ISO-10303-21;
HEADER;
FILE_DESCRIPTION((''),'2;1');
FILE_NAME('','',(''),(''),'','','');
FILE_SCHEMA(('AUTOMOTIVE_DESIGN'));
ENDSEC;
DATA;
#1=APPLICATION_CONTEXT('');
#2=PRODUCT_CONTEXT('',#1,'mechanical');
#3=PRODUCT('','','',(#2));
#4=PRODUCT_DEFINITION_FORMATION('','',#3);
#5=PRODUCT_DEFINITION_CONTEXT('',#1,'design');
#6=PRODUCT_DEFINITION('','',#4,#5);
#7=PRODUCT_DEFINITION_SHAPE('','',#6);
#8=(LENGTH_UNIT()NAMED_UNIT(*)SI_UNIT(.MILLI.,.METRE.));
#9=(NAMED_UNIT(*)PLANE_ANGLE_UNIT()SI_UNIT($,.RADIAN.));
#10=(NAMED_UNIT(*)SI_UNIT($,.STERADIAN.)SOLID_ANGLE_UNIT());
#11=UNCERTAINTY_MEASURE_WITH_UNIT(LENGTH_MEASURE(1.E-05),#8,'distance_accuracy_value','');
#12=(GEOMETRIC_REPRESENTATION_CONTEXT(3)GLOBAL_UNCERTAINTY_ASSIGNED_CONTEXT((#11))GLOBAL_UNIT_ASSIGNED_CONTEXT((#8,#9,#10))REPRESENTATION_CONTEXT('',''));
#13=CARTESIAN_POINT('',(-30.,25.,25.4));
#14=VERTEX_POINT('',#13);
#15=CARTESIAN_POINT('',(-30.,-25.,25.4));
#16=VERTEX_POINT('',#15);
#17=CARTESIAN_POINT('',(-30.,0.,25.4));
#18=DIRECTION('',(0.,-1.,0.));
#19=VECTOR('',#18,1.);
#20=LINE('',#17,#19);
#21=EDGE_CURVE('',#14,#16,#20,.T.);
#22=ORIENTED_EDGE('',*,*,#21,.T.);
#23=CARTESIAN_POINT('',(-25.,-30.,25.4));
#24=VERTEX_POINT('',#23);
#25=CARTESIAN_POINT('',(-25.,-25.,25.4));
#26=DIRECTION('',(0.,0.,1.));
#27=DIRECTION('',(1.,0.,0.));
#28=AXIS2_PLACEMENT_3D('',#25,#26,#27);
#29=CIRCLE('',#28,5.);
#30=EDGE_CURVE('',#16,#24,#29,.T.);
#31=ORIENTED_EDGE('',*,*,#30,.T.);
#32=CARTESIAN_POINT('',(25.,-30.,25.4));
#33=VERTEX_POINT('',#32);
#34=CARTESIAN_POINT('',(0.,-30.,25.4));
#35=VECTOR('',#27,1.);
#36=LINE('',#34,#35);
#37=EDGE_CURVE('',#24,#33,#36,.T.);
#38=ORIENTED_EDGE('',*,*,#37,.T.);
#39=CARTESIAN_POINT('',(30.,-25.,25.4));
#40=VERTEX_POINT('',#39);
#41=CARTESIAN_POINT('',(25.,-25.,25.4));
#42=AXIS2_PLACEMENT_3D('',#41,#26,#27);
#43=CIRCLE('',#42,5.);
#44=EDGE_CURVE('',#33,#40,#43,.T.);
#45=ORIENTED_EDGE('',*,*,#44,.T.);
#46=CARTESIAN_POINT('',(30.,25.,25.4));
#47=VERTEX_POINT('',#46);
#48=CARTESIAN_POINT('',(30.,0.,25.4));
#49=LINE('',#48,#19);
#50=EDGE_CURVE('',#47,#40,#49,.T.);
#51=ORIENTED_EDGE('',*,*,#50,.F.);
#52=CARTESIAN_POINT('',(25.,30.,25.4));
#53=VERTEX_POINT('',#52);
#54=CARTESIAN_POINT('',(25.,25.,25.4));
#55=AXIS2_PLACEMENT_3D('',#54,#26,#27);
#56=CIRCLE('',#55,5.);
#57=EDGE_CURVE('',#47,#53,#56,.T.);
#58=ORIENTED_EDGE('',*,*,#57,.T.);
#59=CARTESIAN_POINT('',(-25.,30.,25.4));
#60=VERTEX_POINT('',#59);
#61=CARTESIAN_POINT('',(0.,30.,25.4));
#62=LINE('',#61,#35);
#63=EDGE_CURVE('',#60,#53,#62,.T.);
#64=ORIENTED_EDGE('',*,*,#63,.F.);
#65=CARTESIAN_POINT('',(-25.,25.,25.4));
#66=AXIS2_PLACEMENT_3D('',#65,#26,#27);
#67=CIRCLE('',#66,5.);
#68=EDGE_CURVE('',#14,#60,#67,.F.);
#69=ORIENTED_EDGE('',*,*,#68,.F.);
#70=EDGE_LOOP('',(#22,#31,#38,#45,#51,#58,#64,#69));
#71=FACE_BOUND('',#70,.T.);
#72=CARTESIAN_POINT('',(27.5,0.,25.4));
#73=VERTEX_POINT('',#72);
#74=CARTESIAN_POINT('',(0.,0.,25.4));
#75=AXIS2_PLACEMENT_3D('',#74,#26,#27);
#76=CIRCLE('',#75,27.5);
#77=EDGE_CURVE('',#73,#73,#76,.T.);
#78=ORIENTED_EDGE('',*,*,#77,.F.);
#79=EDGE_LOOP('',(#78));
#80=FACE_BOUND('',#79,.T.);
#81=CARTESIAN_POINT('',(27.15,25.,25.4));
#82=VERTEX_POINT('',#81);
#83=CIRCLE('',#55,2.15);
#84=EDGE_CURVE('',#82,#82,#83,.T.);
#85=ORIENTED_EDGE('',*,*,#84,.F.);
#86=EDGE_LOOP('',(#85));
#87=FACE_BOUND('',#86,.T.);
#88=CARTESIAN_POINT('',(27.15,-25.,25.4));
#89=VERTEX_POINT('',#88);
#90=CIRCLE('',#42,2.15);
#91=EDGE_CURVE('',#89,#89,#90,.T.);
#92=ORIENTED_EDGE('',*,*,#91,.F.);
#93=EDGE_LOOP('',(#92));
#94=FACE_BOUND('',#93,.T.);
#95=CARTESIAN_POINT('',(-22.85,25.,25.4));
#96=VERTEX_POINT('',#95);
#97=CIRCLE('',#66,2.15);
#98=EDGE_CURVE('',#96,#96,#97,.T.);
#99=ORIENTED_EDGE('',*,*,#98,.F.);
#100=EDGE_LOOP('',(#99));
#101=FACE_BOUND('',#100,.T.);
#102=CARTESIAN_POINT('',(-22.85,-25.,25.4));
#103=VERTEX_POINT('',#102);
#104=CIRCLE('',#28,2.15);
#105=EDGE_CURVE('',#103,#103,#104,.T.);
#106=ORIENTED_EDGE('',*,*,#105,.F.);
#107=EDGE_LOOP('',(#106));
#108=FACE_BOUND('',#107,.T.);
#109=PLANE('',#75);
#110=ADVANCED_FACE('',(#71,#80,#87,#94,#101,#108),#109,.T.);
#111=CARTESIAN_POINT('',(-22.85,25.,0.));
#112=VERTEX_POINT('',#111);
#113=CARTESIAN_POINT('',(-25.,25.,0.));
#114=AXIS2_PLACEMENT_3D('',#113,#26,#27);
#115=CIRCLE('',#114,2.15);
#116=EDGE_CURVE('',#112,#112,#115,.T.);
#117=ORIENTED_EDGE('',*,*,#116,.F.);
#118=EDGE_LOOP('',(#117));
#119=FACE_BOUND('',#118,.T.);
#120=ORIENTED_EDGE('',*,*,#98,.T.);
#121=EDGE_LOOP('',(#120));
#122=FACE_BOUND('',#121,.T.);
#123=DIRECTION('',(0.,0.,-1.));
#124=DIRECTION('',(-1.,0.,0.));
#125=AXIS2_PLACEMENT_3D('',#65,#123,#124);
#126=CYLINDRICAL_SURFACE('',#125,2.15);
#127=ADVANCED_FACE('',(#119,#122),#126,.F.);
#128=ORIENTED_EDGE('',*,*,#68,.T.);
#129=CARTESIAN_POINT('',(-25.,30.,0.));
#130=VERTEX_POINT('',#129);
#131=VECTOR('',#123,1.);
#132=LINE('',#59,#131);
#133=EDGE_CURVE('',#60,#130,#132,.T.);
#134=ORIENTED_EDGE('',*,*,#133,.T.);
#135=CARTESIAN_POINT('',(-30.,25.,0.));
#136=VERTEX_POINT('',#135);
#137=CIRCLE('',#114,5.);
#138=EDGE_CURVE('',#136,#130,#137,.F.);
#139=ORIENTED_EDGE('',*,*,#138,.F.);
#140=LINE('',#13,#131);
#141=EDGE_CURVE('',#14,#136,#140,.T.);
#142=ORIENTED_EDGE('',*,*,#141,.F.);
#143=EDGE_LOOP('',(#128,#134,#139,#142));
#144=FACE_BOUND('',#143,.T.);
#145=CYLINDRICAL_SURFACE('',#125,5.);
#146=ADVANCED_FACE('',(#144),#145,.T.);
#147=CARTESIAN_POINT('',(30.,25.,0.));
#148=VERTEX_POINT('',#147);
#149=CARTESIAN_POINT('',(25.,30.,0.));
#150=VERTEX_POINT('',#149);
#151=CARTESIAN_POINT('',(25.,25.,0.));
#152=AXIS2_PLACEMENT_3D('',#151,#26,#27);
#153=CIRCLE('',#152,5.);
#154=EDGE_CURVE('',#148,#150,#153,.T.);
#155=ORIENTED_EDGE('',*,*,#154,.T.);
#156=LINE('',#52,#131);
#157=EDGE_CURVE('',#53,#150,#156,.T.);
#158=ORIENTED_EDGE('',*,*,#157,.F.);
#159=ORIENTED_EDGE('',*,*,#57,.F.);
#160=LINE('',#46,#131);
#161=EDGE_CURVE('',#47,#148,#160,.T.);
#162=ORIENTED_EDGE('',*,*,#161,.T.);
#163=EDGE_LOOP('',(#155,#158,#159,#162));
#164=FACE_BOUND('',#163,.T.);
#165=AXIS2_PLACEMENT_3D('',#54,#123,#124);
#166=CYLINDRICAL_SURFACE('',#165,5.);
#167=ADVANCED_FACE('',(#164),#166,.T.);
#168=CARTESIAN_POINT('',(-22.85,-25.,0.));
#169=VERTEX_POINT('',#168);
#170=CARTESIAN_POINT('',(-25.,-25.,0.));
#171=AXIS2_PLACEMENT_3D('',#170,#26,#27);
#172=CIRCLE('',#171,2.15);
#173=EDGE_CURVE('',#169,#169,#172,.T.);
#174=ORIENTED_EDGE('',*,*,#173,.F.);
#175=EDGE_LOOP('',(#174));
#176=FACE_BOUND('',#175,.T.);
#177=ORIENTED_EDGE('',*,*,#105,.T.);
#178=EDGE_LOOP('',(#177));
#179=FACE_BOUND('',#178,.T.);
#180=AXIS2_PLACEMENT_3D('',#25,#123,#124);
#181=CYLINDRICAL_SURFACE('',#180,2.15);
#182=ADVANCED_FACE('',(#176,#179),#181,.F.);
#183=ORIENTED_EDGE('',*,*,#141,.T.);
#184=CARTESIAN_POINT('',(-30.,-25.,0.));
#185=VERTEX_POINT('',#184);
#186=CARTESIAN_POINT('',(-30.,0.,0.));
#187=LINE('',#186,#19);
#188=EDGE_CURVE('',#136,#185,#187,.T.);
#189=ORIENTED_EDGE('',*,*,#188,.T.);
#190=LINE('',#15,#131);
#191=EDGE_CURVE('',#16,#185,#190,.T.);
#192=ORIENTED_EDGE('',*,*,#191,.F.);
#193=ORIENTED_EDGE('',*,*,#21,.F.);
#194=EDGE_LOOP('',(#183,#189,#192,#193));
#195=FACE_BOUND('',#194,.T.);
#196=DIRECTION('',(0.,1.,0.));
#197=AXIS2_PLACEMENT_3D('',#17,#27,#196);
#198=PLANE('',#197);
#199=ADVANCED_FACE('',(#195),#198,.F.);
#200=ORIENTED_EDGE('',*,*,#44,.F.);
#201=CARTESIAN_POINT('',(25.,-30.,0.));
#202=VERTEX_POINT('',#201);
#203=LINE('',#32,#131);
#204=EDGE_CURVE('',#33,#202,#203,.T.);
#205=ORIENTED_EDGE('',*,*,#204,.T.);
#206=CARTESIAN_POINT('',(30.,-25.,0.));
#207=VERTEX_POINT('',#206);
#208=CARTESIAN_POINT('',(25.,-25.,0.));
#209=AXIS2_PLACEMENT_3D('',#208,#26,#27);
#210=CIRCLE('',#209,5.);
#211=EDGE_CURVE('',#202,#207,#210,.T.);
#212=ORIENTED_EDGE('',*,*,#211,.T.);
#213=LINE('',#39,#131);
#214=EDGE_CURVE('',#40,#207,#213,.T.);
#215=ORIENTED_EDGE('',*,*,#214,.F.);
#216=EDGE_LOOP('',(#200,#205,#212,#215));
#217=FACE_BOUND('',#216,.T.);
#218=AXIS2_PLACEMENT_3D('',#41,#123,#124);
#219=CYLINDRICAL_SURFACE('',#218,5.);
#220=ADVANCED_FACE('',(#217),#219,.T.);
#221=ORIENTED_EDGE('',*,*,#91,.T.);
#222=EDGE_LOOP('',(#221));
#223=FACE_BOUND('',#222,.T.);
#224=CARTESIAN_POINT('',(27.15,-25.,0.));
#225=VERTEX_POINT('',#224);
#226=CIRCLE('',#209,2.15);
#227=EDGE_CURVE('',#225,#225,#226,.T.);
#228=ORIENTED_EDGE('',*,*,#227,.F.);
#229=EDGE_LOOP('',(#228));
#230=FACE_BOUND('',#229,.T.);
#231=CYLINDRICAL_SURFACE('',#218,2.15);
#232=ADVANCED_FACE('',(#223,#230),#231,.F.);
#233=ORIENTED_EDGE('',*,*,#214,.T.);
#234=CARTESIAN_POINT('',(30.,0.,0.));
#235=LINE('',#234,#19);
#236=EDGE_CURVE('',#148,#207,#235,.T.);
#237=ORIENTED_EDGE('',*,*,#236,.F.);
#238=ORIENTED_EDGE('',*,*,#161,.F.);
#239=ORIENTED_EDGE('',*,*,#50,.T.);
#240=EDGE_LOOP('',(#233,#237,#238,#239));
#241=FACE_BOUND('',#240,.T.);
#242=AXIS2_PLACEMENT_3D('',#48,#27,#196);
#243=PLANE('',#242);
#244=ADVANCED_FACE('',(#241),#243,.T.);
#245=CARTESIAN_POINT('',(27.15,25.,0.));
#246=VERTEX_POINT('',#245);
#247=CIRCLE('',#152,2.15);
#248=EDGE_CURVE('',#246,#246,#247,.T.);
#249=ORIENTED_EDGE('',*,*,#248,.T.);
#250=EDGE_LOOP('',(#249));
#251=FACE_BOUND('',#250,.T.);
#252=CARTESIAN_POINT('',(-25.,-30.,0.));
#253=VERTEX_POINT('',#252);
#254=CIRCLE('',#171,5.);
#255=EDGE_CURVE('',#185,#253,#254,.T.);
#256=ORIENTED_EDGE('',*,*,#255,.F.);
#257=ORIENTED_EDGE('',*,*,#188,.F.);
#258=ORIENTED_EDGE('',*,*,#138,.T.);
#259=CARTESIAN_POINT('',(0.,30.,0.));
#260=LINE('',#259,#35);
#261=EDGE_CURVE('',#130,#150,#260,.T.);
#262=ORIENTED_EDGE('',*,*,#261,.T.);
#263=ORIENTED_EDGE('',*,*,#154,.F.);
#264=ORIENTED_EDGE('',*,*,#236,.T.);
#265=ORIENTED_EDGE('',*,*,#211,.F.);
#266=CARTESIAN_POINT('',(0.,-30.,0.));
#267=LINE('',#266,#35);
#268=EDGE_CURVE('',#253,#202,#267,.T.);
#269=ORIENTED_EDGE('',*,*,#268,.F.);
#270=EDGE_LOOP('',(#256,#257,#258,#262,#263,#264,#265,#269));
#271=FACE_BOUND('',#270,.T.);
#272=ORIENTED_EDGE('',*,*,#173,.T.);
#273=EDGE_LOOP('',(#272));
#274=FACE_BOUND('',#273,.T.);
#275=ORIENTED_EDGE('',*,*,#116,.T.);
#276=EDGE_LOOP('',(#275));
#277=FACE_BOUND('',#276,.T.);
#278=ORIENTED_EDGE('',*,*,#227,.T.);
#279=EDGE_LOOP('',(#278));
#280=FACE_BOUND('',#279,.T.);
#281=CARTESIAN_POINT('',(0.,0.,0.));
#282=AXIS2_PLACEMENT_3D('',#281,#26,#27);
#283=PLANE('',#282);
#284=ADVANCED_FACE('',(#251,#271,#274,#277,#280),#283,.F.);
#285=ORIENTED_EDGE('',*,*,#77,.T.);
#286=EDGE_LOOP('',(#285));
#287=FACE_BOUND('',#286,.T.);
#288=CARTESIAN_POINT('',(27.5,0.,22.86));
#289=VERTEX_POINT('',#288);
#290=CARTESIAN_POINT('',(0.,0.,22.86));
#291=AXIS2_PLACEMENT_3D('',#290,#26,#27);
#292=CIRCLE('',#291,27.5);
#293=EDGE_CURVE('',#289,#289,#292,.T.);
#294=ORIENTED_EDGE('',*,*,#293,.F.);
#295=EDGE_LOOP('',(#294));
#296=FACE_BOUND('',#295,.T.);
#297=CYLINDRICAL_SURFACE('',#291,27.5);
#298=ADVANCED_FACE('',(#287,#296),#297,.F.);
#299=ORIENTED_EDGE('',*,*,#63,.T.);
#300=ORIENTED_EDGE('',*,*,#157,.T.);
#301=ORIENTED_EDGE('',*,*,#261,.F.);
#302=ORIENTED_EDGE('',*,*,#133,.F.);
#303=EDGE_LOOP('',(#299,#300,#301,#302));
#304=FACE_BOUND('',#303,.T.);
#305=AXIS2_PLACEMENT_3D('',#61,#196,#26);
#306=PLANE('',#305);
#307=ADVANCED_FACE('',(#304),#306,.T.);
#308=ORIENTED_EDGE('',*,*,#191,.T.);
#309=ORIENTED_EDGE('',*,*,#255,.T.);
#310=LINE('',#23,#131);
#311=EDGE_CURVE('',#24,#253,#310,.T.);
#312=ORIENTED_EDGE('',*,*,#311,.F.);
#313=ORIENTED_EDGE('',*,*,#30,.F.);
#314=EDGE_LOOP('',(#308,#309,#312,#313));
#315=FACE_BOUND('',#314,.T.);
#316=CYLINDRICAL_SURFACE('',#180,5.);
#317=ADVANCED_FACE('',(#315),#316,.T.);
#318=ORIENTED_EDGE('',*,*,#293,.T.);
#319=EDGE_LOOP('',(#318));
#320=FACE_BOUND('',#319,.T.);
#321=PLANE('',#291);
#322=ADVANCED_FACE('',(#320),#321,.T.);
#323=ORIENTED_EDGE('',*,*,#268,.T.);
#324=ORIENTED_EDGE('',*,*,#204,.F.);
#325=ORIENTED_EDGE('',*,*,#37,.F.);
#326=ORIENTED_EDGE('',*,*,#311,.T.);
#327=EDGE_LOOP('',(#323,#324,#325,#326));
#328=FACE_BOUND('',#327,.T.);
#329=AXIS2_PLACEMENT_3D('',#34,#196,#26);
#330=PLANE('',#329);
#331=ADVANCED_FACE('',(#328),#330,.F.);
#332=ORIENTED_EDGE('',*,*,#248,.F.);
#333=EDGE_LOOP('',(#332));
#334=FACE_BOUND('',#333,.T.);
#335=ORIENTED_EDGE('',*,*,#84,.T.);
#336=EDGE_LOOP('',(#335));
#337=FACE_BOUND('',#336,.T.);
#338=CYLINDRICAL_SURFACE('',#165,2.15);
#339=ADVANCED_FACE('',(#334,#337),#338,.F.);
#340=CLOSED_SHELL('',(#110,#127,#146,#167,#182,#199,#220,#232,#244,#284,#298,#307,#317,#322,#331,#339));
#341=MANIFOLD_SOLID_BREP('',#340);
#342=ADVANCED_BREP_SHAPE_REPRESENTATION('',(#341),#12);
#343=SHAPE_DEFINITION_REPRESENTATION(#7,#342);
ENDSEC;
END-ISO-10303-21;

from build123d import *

# Parameters (mm, degrees)
SKETCH1_R           = 2.15
BOSS_EXTRUDE1_DEPTH = 25.4
SKETCH2_R           = 27.5
CUT_EXTRUDE1_DEPTH  = 2.54


with BuildPart() as part:
    # Sketch1 → Boss-Extrude1 (new body)
    with BuildSketch(Plane.XY):
        with BuildLine():
            Line((25.000000038, 30), (-25.000000038, 30))
            ThreePointArc((-25.000000038, 30), (-28.535533911, 28.535533885), (-30, 25))
            Line((-30, 25), (-30, -25))
            ThreePointArc((-30, -25), (-28.535533911, -28.535533885), (-25.000000038, -30))
            Line((-25.000000038, -30), (25.000000038, -30))
            ThreePointArc((25.000000038, -30), (28.535533944, -28.535533906), (30.000000038, -25))
            Line((30, -25), (30, 25))
            ThreePointArc((30, 25), (28.535533911, 28.535533885), (25.000000038, 30))
        make_face()
        with Locations((-25.000000038, -25)):
            Circle(SKETCH1_R, mode=Mode.SUBTRACT)
        with Locations((25.000000038, -25)):
            Circle(SKETCH1_R, mode=Mode.SUBTRACT)
        with Locations((-25.000000038, 25)):
            Circle(SKETCH1_R, mode=Mode.SUBTRACT)
        with Locations((25.000000038, 25)):
            Circle(SKETCH1_R, mode=Mode.SUBTRACT)
    extrude(amount=BOSS_EXTRUDE1_DEPTH)

    # Sketch2 → Cut-Extrude1 (cut)
    with BuildSketch(Plane.XY.offset(25.4)):
        Circle(SKETCH2_R)
    extrude(amount=-CUT_EXTRUDE1_DEPTH, mode=Mode.SUBTRACT)


solid = part.part
